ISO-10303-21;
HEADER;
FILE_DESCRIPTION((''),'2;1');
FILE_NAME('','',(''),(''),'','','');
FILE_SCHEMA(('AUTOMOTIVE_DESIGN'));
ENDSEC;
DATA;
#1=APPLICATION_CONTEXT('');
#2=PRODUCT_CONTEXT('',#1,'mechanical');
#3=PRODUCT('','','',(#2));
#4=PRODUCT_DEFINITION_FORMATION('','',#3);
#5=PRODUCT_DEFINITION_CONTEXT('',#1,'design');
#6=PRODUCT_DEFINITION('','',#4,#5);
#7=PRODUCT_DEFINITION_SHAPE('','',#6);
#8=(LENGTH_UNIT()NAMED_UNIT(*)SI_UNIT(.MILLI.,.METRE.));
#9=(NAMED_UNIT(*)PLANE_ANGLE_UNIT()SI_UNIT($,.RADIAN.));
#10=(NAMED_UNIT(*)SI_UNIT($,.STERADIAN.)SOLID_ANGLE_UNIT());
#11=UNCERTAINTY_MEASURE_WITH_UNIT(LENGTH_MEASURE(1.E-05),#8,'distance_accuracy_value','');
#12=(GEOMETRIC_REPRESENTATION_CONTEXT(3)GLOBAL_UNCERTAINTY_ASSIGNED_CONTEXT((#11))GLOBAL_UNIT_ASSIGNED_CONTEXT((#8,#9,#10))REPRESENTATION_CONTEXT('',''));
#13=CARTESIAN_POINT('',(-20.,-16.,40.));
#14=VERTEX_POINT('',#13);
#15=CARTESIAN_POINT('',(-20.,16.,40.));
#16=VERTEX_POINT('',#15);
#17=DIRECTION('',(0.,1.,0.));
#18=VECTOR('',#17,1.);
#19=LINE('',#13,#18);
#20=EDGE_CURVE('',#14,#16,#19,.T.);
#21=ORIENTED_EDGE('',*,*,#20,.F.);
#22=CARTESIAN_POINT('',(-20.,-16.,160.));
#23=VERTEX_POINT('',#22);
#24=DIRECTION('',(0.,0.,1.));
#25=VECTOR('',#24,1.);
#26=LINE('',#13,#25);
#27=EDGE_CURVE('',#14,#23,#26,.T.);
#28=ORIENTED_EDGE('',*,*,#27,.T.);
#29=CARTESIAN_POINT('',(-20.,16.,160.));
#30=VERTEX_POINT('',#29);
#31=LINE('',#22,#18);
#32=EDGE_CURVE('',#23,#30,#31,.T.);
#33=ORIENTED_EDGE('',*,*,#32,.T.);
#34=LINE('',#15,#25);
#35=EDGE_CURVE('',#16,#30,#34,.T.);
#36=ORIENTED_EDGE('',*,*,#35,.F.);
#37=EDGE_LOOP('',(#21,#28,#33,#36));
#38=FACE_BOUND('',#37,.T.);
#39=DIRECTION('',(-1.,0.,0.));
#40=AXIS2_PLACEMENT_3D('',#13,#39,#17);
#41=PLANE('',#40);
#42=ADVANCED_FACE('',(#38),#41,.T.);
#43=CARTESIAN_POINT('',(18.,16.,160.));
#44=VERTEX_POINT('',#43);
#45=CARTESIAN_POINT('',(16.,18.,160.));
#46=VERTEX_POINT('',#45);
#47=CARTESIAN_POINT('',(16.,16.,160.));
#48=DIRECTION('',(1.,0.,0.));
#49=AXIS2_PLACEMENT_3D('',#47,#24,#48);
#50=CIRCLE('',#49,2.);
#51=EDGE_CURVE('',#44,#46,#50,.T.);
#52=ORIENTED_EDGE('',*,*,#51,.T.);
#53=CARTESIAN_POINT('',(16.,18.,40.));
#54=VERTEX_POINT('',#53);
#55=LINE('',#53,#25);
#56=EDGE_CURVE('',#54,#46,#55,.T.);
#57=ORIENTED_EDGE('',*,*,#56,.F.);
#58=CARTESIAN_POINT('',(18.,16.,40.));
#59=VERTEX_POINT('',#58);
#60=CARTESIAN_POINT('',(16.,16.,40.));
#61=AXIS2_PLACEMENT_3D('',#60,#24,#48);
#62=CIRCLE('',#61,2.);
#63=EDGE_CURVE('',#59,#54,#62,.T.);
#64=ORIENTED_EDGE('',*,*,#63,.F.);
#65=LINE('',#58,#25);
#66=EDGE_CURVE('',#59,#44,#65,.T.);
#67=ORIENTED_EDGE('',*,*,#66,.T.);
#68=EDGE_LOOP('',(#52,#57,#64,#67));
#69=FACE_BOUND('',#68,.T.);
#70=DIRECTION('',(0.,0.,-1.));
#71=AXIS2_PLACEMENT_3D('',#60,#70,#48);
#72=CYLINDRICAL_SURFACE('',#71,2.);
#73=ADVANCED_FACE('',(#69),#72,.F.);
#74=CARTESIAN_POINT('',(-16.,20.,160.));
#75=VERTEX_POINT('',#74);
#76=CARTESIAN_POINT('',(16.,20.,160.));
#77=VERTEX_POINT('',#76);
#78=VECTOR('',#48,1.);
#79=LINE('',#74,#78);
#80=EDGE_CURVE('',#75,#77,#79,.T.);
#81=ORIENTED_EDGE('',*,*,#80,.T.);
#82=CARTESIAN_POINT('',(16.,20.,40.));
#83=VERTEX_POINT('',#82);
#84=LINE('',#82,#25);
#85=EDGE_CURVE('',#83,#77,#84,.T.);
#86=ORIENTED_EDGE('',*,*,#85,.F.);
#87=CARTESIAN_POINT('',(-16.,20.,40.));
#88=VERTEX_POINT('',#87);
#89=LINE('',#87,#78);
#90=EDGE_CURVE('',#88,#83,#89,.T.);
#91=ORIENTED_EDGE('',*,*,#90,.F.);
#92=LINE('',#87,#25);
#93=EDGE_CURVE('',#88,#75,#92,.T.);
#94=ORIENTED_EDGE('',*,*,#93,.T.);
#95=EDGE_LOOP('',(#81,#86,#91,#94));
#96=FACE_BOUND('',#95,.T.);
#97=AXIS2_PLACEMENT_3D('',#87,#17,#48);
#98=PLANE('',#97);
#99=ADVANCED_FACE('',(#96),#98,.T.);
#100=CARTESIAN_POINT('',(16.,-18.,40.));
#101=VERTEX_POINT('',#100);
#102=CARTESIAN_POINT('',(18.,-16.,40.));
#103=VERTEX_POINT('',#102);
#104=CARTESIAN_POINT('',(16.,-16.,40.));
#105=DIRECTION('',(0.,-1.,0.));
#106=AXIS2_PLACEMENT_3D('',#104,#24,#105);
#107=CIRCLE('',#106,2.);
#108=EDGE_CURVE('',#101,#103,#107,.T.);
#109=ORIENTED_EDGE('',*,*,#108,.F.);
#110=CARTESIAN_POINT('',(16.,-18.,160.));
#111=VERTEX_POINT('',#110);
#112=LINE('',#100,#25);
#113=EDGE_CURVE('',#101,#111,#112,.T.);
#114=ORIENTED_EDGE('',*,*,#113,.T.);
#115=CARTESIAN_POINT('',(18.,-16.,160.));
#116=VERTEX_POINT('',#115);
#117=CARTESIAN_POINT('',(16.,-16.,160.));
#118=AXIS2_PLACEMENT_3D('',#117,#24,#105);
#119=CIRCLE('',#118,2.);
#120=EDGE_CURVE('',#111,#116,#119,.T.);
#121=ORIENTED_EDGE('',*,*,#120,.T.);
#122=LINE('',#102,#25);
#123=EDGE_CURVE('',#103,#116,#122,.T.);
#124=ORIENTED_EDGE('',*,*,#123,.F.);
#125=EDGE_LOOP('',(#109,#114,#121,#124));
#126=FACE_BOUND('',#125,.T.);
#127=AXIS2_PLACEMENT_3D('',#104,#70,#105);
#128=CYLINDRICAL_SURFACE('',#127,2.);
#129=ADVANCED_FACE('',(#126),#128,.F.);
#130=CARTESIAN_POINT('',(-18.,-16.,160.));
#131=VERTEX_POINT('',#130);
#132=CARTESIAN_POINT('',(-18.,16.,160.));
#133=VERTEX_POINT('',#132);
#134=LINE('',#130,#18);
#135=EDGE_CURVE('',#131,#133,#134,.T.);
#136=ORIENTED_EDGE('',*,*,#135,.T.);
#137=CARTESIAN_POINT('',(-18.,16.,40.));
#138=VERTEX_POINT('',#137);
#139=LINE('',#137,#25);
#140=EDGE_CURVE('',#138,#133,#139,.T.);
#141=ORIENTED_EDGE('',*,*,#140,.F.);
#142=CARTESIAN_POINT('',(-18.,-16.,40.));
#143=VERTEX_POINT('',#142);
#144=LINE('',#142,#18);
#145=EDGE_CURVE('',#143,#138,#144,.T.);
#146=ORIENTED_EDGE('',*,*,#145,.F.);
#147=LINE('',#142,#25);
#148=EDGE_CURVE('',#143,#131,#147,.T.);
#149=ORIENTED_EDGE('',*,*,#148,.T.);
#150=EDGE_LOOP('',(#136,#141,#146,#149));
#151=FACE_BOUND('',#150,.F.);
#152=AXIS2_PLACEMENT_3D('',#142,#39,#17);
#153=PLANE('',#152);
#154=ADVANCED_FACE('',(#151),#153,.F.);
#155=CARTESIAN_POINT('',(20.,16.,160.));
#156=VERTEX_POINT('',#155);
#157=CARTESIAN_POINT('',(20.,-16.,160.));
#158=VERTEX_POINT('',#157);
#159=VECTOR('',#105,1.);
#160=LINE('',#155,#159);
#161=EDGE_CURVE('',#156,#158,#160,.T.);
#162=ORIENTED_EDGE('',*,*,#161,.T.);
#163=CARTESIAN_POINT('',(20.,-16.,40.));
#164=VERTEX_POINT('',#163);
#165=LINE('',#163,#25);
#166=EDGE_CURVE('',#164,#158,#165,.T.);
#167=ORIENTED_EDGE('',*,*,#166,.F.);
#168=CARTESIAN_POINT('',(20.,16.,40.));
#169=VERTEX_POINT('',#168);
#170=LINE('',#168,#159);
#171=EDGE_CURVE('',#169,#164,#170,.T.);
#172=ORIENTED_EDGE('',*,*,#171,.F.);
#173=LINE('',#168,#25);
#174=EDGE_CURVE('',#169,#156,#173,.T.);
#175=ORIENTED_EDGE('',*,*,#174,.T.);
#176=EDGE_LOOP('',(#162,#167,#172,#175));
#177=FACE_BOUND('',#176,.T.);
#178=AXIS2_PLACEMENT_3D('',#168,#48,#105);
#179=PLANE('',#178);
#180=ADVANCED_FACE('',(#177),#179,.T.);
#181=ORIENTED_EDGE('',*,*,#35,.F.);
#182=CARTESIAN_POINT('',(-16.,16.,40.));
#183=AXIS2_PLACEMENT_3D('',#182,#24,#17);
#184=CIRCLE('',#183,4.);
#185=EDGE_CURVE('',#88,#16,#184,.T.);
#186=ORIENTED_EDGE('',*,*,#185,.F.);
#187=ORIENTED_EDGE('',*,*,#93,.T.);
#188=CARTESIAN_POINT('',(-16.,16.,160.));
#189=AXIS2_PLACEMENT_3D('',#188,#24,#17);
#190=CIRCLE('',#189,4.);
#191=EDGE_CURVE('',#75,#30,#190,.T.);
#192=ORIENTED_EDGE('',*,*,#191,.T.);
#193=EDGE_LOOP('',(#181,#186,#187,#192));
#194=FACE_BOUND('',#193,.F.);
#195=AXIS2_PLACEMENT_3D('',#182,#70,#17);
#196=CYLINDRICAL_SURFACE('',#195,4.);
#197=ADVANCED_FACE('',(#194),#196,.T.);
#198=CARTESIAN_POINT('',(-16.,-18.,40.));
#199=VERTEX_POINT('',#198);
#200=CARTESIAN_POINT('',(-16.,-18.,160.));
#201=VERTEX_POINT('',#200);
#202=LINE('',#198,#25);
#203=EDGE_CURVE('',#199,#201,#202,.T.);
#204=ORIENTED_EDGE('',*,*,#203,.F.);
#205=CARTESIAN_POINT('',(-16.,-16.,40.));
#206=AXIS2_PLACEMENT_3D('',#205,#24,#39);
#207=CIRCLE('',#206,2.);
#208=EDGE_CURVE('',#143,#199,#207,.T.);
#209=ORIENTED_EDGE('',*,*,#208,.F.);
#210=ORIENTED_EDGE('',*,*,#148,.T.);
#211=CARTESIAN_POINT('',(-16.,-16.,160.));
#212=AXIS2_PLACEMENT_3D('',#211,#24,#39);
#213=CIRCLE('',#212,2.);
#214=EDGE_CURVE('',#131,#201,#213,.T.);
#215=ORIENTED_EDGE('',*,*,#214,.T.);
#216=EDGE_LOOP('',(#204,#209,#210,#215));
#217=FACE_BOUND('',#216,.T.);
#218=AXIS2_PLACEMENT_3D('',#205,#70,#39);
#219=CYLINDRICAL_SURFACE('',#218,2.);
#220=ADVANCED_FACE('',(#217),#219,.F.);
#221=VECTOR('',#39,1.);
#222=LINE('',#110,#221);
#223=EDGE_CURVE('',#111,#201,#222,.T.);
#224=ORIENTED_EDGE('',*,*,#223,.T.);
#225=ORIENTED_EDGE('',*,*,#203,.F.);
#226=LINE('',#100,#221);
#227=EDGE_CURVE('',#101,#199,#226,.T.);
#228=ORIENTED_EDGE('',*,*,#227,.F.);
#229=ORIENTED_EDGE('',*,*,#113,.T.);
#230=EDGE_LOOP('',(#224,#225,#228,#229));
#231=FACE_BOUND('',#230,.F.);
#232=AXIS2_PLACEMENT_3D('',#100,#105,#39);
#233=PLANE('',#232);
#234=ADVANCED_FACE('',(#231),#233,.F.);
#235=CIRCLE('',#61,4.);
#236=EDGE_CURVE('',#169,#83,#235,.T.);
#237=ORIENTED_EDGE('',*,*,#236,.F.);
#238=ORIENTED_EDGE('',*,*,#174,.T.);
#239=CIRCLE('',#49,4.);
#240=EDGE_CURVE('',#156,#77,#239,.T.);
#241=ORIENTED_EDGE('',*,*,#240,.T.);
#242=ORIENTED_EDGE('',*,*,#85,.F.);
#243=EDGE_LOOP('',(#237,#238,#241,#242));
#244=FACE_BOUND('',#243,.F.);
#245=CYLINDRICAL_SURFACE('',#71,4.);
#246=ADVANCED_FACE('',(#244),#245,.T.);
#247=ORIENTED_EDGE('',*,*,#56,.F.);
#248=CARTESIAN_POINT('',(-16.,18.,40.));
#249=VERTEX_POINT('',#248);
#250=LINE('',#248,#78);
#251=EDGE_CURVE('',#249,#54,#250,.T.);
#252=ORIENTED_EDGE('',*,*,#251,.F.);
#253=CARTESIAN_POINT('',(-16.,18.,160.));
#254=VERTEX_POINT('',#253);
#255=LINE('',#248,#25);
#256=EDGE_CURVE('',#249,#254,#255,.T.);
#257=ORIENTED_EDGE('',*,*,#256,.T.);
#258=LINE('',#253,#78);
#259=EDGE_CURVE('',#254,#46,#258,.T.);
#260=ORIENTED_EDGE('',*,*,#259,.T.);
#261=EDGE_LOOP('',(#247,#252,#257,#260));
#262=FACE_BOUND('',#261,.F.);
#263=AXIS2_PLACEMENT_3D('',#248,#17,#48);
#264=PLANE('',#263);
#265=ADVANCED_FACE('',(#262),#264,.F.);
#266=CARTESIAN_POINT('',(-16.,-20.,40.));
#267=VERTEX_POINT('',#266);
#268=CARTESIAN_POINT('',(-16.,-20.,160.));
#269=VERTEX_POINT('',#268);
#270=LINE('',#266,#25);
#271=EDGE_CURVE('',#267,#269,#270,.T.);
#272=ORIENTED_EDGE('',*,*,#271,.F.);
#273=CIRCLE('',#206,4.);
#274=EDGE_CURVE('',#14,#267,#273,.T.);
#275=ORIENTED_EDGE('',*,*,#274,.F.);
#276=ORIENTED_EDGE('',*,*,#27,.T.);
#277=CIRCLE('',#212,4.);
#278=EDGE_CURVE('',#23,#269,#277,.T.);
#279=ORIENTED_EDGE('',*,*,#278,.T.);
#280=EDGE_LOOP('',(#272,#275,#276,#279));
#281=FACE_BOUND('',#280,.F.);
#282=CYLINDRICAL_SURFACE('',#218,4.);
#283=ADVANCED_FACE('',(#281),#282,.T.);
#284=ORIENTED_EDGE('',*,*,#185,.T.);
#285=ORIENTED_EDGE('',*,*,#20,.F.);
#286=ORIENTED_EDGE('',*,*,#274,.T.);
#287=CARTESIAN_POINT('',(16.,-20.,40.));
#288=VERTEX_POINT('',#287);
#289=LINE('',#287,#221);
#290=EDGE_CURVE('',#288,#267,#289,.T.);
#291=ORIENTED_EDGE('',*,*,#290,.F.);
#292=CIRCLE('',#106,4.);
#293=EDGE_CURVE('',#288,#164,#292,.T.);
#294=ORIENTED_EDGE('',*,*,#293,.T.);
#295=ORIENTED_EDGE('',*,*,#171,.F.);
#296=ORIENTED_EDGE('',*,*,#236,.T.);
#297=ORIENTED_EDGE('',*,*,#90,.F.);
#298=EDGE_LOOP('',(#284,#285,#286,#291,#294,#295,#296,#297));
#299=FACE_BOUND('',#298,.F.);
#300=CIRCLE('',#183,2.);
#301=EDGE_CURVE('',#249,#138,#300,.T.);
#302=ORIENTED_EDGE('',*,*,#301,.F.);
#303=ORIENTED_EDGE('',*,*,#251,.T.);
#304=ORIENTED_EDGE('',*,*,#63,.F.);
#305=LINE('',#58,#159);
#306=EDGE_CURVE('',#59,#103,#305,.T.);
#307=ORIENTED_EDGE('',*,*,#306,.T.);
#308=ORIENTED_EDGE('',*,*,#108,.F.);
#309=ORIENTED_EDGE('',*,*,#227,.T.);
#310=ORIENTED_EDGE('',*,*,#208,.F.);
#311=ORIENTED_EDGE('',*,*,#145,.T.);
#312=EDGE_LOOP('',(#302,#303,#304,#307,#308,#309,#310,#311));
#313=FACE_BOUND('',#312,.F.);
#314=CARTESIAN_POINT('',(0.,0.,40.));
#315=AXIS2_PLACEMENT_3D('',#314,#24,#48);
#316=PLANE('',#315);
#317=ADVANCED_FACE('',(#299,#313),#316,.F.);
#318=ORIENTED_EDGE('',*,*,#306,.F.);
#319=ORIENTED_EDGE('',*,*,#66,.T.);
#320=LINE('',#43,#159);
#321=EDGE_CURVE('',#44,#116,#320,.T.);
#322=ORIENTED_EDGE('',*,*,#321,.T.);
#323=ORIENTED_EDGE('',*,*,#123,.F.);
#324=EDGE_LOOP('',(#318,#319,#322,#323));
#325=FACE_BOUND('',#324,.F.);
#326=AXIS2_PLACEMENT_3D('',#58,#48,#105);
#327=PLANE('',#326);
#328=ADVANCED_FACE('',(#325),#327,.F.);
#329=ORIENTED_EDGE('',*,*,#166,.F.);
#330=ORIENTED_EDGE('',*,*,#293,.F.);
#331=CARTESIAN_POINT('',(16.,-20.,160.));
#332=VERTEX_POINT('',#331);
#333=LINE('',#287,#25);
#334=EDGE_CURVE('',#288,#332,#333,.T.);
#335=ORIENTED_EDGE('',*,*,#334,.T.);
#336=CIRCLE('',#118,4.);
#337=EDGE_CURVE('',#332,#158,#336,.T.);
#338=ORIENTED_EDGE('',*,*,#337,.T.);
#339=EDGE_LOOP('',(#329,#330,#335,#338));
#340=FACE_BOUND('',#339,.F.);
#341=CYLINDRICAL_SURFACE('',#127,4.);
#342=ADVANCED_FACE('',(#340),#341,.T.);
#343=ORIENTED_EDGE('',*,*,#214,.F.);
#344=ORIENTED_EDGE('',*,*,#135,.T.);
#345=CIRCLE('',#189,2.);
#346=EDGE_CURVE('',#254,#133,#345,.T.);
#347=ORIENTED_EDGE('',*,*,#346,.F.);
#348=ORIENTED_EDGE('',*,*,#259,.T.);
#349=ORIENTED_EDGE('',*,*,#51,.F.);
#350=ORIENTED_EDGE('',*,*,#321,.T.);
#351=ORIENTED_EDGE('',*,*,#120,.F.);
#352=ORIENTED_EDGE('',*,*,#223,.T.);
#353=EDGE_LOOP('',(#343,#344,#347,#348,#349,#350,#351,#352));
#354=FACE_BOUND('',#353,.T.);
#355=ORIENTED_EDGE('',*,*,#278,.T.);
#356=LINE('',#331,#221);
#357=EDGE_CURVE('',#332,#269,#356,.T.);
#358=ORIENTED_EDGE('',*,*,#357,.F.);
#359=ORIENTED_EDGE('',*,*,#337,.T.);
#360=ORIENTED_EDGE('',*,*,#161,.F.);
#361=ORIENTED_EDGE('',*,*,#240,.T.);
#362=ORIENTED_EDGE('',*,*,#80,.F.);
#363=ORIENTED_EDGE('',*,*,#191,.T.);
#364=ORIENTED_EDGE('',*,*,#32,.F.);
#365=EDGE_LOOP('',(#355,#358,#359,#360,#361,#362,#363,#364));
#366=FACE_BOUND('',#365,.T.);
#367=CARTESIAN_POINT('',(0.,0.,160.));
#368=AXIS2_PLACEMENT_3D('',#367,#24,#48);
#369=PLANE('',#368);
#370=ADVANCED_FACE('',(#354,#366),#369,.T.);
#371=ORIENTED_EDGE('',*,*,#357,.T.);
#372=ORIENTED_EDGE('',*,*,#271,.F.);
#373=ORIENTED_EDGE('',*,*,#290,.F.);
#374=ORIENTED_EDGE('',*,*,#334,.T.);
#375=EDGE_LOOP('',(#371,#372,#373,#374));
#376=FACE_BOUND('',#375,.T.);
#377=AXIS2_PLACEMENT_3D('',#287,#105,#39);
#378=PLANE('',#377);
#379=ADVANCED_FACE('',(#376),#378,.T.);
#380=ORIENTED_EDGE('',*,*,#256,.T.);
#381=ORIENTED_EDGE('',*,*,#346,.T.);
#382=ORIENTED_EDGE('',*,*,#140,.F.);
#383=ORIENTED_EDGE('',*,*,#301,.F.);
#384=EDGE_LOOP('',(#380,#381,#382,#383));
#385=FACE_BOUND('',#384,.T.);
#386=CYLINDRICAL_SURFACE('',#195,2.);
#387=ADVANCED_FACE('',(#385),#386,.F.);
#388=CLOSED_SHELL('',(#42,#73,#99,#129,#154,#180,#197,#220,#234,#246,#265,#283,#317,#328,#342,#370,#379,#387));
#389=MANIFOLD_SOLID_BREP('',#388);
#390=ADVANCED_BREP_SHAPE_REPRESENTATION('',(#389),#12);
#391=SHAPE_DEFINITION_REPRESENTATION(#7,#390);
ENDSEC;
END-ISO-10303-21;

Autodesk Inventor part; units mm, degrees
ref_plane "YZ Plane" through (0, 0, 0) normal (1, 0, 0) x (0, 1, 0)
ref_plane "Start Plane" through (0, 0, 40) normal (0, 0, 1) x (1, 0, 0)
ref_plane "End Plane" through (0, 0, 160) normal (0, 0, 1) x (1, 0, 0)
sketch "Sketch" plane through (0, 0, 0) normal (0, 0, 1) x (1, 0, 0)
  line L0 (-20, -16) -> (-20, 16)
  line L1 (-16, 20) -> (16, 20)
  line L2 (20, 16) -> (20, -16)
  line L3 (16, -20) -> (-16, -20)
  arc A0 (-20, -16) -> (-16, -20) centre (-16, -16) ccw
  arc A1 (20, 16) -> (16, 20) centre (16, 16) ccw
  arc A2 (-16, 20) -> (-20, 16) centre (-16, 16) ccw
  arc A3 (16, -20) -> (20, -16) centre (16, -16) ccw
  arc A4 (-16, 18) -> (-18, 16) centre (-16, 16) ccw
  line L4 (-16, 18) -> (16, 18)
  arc A5 (18, 16) -> (16, 18) centre (16, 16) ccw
  line L5 (18, 16) -> (18, -16)
  arc A6 (16, -18) -> (18, -16) centre (16, -16) ccw
  line L6 (16, -18) -> (-16, -18)
  arc A7 (-18, -16) -> (-16, -18) centre (-16, -16) ccw
  line L7 (-18, -16) -> (-18, 16)
  line L8 (0, 29.1598) -> (0, -29.1598) construction
  line L9 (-29.1598, 0) -> (29.1598, 0) construction
  dimension "d7" = 4
  dimension "d9" = 40
  dimension "d11" = 40
  dimension "d12" = 2
  dimension "d15" = 20
  dimension "d16" = 20
extrude "Body" add sketch "Sketch" along normal up to surface (120 mm away) from surface at 40
sketch "Sketch3" plane through (0, 0, 0) normal (0, 0, 1) x (1, 0, 0)
  line L0 (0, 0) -> (10, 0)
ref_plane "Work Plane3" through (0, 0, 0) normal (0, -1, 0) x (1, 0, 0)
sketch "Sketch4" plane through (0, 0, 0) normal (0, -1, 0) x (1, 0, 0)
  line L0 (-2, 40) -> (12, 40) projected
  line L1 (-2, 160) -> (12, 160) projected
  dimension "d18" = 120
equation "\"d7\" = G_IR"
equation "\"d9\" = G_W"
equation "\"d11\" = G_H"
equation "\"d12\" = G_T"
equation "\"d15\" = 0.5 * d9"
equation "\"d16\" = 0.5 * d11"
equation "\"d3\" = G_L"
equation "\"G_W\" = 40"
equation "\"G_H\" = 40"
equation "\"G_T\" = 2"
equation "\"G_IR\" = 4"
equation "\"G_L\" = d18"
properties part number "ISO 10799-2 - 40x40x2 - 120" material "Steel, Mild"
